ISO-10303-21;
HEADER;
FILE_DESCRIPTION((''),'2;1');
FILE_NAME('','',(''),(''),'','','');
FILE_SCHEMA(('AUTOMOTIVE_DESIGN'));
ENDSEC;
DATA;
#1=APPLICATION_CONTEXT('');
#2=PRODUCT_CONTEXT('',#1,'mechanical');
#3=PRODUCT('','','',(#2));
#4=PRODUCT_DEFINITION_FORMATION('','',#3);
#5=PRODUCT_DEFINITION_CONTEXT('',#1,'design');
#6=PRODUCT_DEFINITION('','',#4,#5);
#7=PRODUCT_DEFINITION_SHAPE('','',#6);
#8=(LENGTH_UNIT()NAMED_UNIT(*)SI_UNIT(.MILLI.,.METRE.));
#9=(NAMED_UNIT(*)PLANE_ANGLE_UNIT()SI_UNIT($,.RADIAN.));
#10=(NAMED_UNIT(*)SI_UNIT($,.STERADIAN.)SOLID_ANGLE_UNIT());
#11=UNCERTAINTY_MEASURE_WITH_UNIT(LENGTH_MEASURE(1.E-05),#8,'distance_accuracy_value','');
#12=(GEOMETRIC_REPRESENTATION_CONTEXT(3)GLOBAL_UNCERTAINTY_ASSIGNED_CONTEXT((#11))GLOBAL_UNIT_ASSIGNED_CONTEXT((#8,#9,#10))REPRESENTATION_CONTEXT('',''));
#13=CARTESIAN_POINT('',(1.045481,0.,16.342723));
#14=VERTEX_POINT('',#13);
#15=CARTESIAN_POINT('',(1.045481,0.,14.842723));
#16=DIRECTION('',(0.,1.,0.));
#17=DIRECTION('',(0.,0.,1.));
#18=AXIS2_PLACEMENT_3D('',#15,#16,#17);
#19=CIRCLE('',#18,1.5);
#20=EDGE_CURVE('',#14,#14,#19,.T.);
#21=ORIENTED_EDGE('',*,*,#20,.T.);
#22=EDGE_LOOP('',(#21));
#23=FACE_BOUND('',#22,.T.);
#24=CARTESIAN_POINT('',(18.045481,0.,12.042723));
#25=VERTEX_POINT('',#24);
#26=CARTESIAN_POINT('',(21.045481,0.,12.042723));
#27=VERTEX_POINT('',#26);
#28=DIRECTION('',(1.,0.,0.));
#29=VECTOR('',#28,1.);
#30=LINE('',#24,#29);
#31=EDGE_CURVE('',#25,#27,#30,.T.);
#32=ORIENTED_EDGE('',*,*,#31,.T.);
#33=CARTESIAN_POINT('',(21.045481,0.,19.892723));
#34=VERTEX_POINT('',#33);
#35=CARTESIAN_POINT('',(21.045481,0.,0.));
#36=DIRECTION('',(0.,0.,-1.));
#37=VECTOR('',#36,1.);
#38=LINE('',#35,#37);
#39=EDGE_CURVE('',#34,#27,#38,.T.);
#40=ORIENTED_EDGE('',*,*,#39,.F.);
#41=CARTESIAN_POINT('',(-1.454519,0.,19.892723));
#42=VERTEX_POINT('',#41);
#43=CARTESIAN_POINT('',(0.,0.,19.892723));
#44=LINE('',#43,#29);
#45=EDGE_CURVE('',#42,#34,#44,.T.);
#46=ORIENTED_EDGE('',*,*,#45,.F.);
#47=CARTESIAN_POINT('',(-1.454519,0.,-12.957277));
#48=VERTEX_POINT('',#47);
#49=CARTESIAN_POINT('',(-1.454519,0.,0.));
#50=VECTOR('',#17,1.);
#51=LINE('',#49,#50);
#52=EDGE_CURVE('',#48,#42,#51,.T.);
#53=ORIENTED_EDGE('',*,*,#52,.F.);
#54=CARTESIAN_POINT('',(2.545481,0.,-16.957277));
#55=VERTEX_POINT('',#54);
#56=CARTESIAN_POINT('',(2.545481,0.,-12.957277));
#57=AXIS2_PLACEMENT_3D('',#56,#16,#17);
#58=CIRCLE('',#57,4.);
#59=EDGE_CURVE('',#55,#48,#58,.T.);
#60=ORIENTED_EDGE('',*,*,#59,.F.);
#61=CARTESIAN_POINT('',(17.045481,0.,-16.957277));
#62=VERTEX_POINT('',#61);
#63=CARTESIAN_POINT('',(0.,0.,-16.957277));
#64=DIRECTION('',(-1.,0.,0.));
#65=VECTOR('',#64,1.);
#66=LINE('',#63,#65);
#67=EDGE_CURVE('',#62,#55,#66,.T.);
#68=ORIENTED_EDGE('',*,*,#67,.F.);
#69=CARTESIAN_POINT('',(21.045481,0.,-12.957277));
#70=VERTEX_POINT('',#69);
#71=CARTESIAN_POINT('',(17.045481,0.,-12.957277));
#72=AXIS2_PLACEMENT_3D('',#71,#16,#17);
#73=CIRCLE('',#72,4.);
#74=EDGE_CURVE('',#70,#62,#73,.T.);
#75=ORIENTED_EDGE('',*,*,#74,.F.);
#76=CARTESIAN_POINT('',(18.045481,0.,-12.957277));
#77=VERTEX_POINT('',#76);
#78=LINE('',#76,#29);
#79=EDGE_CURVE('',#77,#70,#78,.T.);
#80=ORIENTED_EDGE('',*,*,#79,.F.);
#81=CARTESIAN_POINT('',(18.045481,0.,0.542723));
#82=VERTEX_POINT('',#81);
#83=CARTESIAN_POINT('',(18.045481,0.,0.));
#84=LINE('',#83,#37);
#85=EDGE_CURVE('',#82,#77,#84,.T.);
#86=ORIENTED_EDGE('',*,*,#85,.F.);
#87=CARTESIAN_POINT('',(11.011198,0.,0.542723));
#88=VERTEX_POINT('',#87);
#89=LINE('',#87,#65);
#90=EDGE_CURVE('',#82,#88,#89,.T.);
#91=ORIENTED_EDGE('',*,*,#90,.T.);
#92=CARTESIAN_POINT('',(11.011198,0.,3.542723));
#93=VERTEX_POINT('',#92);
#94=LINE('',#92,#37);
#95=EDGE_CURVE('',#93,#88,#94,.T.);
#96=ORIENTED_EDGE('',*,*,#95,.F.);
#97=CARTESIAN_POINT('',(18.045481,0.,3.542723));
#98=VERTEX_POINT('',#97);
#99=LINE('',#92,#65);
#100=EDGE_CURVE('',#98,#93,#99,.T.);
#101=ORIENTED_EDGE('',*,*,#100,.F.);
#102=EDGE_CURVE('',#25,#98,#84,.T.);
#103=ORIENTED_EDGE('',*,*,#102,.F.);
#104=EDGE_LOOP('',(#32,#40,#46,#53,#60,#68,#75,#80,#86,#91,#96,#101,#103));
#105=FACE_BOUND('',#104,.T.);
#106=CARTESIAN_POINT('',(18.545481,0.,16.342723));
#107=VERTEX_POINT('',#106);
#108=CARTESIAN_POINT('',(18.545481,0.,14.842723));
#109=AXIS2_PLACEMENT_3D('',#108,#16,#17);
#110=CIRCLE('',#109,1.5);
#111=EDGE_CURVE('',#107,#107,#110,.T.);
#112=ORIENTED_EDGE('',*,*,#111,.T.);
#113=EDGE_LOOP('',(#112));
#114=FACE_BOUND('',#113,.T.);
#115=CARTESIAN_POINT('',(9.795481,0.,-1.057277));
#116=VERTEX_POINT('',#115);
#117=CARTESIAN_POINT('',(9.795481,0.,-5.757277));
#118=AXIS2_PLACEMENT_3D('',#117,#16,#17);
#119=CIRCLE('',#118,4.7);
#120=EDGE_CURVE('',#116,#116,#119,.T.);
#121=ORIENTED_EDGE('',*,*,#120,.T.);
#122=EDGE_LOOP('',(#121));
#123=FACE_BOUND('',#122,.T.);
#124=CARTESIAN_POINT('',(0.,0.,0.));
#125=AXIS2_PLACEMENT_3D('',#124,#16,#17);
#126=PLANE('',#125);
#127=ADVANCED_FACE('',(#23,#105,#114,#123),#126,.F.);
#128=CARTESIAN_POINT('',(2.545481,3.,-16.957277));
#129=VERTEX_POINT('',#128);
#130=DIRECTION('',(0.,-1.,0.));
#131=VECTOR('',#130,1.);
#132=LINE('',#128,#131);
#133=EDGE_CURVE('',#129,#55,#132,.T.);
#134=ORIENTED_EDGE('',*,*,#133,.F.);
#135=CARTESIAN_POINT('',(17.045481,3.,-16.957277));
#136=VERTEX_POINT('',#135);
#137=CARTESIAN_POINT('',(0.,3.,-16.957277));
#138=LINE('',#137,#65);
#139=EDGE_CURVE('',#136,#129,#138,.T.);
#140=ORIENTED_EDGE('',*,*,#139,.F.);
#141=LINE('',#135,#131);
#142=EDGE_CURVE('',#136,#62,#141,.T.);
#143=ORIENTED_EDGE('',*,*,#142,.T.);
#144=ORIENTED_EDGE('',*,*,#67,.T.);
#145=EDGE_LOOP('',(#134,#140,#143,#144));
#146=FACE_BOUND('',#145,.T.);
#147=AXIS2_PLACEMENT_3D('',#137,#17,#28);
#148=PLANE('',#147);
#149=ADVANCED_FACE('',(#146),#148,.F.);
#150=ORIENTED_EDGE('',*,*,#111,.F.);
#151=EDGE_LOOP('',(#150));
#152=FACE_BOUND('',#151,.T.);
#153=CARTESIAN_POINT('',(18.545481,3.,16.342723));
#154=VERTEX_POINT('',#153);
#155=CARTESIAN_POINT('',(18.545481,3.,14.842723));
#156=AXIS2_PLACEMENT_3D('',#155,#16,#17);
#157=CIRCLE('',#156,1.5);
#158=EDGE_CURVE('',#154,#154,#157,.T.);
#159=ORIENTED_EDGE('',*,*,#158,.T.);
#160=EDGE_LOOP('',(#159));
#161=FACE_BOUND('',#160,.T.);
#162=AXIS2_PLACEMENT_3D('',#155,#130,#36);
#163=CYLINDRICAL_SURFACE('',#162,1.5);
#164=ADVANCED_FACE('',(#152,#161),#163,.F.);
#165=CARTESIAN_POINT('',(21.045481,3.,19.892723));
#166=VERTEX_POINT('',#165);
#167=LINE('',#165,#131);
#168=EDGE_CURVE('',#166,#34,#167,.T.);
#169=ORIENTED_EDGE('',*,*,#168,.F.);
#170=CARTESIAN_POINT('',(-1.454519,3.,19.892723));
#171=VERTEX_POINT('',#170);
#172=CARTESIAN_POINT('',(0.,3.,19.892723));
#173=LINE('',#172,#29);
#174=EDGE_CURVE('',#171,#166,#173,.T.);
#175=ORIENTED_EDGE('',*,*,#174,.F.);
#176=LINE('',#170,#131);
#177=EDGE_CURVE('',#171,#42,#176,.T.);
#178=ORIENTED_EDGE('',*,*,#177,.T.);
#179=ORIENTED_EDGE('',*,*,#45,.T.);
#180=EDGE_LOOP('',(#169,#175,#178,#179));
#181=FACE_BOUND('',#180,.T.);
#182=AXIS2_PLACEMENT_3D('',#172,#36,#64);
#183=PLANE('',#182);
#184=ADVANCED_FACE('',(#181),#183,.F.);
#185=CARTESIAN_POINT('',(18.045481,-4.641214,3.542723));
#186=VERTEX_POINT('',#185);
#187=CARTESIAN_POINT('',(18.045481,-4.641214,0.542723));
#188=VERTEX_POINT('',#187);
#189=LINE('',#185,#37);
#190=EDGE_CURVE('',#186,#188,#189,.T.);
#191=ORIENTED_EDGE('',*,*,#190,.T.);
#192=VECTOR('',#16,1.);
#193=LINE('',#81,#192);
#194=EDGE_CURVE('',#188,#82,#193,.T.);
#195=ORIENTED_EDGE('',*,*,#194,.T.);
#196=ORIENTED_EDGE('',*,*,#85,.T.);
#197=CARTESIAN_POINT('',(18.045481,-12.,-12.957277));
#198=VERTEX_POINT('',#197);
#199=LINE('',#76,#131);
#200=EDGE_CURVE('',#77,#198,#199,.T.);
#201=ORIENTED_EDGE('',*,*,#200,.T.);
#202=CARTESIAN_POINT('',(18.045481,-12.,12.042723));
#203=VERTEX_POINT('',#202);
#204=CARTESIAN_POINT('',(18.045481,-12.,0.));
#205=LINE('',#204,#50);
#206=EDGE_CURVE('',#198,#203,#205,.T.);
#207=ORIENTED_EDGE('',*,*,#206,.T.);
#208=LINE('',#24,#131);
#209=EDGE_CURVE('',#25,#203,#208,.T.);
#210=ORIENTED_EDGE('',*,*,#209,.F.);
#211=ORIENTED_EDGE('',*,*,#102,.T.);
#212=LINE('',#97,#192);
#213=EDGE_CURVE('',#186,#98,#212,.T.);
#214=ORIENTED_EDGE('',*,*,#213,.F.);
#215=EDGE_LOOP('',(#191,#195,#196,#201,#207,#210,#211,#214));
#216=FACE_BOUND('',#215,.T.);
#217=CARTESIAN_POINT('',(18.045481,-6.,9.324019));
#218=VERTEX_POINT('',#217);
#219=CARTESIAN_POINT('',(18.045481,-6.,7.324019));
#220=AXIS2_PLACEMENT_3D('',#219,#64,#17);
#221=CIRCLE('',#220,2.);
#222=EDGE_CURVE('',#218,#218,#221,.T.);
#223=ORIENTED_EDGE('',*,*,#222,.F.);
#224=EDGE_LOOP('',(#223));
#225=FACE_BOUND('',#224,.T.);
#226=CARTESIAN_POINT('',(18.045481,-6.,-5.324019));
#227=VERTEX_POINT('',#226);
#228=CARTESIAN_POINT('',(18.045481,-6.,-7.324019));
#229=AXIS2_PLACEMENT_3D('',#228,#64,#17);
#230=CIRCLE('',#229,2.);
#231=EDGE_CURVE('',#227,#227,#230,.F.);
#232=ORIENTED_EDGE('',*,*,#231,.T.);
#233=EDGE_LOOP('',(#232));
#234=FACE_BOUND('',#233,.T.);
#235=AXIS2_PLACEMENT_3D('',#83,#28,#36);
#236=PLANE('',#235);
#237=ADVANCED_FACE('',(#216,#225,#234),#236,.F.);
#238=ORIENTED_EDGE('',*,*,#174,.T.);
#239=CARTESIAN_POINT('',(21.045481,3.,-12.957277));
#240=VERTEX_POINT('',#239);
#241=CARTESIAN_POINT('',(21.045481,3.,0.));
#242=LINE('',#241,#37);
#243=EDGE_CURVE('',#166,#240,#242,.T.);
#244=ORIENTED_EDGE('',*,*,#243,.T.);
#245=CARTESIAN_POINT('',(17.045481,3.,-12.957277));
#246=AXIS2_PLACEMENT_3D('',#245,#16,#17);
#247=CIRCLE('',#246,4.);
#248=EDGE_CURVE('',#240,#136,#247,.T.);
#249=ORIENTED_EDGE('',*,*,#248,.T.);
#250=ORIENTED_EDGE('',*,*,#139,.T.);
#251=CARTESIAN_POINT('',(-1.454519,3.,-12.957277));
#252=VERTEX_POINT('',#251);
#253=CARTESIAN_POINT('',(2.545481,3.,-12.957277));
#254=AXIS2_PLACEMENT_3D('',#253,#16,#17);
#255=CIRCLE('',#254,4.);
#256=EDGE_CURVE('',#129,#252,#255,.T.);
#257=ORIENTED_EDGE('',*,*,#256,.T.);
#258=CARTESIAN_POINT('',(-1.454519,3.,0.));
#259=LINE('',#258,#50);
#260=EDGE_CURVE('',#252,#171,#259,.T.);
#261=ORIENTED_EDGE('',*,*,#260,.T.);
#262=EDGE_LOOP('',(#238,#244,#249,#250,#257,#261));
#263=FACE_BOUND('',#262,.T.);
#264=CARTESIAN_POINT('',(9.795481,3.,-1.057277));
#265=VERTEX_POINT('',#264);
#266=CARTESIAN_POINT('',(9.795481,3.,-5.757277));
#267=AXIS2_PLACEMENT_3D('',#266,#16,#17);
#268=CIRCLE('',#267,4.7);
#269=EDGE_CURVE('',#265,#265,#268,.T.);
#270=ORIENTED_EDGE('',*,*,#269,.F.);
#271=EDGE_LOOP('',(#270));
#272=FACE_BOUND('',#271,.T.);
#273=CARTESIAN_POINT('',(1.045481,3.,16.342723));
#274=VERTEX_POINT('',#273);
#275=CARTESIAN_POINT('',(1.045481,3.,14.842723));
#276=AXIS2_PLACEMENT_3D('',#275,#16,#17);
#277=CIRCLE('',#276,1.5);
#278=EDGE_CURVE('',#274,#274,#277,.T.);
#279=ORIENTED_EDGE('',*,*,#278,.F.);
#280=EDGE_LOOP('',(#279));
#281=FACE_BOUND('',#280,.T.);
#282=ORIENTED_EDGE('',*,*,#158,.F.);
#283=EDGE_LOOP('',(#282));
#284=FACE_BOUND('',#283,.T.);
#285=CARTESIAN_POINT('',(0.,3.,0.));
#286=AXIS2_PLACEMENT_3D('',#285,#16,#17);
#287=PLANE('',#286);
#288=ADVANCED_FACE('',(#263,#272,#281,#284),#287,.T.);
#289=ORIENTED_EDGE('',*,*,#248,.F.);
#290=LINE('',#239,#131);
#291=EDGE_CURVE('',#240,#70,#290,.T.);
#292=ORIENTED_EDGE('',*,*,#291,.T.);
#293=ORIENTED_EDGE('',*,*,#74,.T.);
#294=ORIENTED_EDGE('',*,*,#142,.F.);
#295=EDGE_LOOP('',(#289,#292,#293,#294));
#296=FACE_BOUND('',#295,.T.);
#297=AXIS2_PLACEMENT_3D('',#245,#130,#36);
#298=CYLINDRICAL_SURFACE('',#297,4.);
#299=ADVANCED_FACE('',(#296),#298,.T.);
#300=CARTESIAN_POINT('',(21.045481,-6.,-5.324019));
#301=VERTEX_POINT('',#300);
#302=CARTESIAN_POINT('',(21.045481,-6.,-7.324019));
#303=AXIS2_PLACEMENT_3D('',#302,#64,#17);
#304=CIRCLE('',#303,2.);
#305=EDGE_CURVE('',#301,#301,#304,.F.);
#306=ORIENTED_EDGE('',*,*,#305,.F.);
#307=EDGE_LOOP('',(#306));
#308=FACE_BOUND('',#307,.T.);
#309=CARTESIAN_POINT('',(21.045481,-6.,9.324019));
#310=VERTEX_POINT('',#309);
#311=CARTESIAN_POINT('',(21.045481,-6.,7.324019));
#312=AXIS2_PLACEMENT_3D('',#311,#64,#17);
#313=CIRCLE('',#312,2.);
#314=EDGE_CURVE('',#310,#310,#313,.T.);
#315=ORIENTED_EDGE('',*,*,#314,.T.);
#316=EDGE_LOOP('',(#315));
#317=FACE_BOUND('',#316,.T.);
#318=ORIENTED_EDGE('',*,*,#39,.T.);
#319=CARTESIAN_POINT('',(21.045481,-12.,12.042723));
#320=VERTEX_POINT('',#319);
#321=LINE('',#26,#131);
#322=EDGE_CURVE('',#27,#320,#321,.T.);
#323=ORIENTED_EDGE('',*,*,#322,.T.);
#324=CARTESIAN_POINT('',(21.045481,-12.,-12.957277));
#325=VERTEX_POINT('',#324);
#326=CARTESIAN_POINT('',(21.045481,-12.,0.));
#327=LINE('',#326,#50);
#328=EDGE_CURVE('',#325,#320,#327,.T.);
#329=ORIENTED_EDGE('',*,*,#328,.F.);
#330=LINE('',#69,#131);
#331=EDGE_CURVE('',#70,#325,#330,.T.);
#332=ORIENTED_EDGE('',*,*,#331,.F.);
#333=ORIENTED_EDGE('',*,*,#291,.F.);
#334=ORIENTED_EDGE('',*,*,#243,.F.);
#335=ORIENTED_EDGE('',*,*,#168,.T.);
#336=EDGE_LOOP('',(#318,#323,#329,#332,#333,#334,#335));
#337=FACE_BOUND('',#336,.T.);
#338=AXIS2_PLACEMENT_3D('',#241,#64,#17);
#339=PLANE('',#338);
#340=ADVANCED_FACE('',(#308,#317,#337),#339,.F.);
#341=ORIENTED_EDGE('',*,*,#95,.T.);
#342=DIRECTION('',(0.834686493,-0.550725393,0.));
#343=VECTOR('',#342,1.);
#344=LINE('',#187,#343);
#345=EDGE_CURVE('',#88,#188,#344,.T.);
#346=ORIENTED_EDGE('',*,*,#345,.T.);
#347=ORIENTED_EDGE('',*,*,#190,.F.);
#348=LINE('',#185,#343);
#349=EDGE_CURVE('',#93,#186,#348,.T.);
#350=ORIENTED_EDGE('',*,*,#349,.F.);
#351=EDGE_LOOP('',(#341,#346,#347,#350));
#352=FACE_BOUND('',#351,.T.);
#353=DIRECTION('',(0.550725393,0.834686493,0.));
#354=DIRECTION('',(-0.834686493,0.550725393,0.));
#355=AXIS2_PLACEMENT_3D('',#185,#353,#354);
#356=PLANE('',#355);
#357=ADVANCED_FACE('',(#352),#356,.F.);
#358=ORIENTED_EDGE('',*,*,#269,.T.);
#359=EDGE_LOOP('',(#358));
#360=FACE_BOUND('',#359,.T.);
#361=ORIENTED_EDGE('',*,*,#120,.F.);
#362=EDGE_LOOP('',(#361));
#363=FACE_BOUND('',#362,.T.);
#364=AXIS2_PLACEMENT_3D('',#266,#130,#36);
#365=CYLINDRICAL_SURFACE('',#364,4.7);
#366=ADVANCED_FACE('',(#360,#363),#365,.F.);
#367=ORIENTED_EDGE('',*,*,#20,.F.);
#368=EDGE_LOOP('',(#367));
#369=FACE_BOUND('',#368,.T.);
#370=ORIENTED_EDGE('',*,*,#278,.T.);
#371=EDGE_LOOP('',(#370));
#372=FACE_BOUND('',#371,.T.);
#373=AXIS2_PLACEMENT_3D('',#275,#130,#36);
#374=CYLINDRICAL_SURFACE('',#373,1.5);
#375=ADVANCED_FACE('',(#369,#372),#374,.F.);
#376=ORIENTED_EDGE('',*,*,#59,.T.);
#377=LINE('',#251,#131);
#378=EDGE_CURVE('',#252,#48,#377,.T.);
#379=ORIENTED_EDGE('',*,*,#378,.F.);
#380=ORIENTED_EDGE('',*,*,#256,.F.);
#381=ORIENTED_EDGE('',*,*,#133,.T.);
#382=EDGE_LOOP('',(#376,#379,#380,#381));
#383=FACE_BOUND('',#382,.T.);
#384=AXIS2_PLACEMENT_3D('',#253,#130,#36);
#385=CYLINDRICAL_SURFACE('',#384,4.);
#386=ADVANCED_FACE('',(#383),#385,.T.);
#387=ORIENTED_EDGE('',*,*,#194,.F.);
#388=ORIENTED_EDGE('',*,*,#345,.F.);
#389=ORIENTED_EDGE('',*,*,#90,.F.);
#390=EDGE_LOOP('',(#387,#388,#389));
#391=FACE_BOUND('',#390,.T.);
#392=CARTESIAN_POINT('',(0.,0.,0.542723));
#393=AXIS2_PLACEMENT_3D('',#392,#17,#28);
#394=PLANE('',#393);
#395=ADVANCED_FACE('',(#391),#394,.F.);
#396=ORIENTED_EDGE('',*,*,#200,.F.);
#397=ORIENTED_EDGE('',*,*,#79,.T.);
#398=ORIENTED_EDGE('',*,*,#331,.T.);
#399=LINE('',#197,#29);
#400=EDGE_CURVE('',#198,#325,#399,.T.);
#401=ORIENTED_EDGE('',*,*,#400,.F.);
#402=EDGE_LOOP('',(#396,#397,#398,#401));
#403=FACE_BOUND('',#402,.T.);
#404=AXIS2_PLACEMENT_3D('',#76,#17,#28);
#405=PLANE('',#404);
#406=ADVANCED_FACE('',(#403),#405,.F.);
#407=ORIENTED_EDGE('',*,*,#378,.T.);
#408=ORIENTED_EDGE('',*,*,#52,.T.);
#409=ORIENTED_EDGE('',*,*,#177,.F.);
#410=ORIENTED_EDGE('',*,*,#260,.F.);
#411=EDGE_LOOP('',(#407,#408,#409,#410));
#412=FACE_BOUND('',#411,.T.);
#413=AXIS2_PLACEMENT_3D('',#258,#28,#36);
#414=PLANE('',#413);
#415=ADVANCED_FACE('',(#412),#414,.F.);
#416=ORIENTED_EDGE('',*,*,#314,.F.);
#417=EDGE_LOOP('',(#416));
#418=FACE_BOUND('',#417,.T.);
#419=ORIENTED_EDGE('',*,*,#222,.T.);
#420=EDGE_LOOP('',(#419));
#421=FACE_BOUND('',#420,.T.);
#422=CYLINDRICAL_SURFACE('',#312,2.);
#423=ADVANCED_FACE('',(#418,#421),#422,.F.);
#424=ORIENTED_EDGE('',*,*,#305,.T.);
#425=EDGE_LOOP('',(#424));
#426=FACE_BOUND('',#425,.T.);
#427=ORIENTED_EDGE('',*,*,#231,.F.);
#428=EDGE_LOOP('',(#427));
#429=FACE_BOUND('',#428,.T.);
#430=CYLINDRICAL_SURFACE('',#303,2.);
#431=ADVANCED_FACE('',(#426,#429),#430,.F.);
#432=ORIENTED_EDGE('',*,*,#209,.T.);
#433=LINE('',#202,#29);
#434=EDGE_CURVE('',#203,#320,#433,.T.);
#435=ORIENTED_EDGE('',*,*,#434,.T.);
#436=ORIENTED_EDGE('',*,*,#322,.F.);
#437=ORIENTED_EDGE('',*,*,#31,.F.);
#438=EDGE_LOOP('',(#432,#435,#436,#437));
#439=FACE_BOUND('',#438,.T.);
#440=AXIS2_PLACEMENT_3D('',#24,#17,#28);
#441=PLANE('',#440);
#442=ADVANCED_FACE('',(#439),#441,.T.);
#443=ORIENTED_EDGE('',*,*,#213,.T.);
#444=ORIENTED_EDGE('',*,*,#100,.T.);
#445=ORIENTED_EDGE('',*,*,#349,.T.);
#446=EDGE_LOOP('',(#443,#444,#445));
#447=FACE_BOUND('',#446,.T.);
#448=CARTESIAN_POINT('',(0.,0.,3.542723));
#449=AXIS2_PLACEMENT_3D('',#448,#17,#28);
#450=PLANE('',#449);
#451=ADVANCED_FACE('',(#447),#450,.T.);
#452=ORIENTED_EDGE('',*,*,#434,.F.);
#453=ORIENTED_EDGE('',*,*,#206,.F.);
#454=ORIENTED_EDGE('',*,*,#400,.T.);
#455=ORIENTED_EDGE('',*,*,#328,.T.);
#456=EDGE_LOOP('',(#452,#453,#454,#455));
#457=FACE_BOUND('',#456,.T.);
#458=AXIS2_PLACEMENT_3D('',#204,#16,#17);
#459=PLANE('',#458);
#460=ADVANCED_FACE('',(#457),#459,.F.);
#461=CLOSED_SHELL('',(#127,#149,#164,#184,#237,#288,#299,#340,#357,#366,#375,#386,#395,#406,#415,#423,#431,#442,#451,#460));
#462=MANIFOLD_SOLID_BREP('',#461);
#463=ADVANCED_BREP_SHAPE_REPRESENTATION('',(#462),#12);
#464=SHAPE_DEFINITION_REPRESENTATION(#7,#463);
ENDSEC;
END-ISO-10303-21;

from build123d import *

# Parameters (mm, degrees)
SKETCH1_R           = 1.5
SKETCH1_R_2         = 4.7
BOSS_EXTRUDE1_DEPTH = 3
SKETCH2_W           = 25
SKETCH2_H           = 12
BOSS_EXTRUDE3_DEPTH = 3
SKETCH4_R           = 2
CUT_EXTRUDE2_DEPTH  = 31.33101416
BOSS_EXTRUDE4_DEPTH = 1.5


with BuildPart() as part:
    # Sketch1 → Boss-Extrude1 (new body)
    with BuildSketch(Plane(origin=(0, 0, 0), x_dir=(1, 0, 0), z_dir=(0, 1, 0))):
        with BuildLine():
            ThreePointArc((21.045480929, 12.95727721), (19.873908054, 15.785704335), (17.045480929, 16.95727721))
            Line((17.045480929, 16.95727721), (2.545480929, 16.95727721))
            ThreePointArc((2.545480929, 16.95727721), (-0.282946196, 15.785704335), (-1.454519071, 12.95727721))
            Line((-1.454519071, 12.95727721), (-1.454519071, -19.89272279))
            Line((-1.454519071, -19.89272279), (2.724413117, -19.89272279))
            Line((2.724413117, -19.89272279), (16.866548741, -19.89272279))
            Line((16.866548741, -19.89272279), (21.045480929, -19.89272279))
            Line((21.045480929, -19.89272279), (21.045480929, 12.95727721))
        make_face()
        with Locations(Location((1.045480929, -14.84272279, 0), (0, 0, 270))):
            Circle(SKETCH1_R, mode=Mode.SUBTRACT)
        with Locations(Location((18.545480929, -14.84272279, 0), (0, 0, 270))):
            Circle(SKETCH1_R, mode=Mode.SUBTRACT)
        with Locations(Location((9.795480929, 5.75727721, 0), (0, 0, 270))):
            Circle(SKETCH1_R_2, mode=Mode.SUBTRACT)
    extrude(amount=BOSS_EXTRUDE1_DEPTH)

    # Sketch2 → Boss-Extrude3 (add)
    with BuildSketch(Plane(origin=(21.045480929, 0, 0), x_dir=(0, 0, -1), z_dir=(1, 0, 0))):
        with Locations((0.45727721, -6)):
            Rectangle(SKETCH2_W, SKETCH2_H)
    extrude(amount=-BOSS_EXTRUDE3_DEPTH)

    # Sketch4 → Cut-Extrude2 (cut, through all)
    with BuildSketch(Plane.ZY.offset(-18.045480929)):
        with Locations((7.324019086, -6)):
            Circle(SKETCH4_R)
        with Locations((-7.324019086, -6)):
            Circle(SKETCH4_R)
    extrude(amount=-CUT_EXTRUDE2_DEPTH, mode=Mode.SUBTRACT)

    # Sketch5 → Boss-Extrude4 (add, symmetric)
    with BuildSketch(Plane.XY.offset(2.04272279)):
        Polygon((18.045480929, -4.641213544), (11.011197959, 0), (18.045480929, 0), align=None)
    extrude(amount=BOSS_EXTRUDE4_DEPTH, both=True)


solid = part.part
